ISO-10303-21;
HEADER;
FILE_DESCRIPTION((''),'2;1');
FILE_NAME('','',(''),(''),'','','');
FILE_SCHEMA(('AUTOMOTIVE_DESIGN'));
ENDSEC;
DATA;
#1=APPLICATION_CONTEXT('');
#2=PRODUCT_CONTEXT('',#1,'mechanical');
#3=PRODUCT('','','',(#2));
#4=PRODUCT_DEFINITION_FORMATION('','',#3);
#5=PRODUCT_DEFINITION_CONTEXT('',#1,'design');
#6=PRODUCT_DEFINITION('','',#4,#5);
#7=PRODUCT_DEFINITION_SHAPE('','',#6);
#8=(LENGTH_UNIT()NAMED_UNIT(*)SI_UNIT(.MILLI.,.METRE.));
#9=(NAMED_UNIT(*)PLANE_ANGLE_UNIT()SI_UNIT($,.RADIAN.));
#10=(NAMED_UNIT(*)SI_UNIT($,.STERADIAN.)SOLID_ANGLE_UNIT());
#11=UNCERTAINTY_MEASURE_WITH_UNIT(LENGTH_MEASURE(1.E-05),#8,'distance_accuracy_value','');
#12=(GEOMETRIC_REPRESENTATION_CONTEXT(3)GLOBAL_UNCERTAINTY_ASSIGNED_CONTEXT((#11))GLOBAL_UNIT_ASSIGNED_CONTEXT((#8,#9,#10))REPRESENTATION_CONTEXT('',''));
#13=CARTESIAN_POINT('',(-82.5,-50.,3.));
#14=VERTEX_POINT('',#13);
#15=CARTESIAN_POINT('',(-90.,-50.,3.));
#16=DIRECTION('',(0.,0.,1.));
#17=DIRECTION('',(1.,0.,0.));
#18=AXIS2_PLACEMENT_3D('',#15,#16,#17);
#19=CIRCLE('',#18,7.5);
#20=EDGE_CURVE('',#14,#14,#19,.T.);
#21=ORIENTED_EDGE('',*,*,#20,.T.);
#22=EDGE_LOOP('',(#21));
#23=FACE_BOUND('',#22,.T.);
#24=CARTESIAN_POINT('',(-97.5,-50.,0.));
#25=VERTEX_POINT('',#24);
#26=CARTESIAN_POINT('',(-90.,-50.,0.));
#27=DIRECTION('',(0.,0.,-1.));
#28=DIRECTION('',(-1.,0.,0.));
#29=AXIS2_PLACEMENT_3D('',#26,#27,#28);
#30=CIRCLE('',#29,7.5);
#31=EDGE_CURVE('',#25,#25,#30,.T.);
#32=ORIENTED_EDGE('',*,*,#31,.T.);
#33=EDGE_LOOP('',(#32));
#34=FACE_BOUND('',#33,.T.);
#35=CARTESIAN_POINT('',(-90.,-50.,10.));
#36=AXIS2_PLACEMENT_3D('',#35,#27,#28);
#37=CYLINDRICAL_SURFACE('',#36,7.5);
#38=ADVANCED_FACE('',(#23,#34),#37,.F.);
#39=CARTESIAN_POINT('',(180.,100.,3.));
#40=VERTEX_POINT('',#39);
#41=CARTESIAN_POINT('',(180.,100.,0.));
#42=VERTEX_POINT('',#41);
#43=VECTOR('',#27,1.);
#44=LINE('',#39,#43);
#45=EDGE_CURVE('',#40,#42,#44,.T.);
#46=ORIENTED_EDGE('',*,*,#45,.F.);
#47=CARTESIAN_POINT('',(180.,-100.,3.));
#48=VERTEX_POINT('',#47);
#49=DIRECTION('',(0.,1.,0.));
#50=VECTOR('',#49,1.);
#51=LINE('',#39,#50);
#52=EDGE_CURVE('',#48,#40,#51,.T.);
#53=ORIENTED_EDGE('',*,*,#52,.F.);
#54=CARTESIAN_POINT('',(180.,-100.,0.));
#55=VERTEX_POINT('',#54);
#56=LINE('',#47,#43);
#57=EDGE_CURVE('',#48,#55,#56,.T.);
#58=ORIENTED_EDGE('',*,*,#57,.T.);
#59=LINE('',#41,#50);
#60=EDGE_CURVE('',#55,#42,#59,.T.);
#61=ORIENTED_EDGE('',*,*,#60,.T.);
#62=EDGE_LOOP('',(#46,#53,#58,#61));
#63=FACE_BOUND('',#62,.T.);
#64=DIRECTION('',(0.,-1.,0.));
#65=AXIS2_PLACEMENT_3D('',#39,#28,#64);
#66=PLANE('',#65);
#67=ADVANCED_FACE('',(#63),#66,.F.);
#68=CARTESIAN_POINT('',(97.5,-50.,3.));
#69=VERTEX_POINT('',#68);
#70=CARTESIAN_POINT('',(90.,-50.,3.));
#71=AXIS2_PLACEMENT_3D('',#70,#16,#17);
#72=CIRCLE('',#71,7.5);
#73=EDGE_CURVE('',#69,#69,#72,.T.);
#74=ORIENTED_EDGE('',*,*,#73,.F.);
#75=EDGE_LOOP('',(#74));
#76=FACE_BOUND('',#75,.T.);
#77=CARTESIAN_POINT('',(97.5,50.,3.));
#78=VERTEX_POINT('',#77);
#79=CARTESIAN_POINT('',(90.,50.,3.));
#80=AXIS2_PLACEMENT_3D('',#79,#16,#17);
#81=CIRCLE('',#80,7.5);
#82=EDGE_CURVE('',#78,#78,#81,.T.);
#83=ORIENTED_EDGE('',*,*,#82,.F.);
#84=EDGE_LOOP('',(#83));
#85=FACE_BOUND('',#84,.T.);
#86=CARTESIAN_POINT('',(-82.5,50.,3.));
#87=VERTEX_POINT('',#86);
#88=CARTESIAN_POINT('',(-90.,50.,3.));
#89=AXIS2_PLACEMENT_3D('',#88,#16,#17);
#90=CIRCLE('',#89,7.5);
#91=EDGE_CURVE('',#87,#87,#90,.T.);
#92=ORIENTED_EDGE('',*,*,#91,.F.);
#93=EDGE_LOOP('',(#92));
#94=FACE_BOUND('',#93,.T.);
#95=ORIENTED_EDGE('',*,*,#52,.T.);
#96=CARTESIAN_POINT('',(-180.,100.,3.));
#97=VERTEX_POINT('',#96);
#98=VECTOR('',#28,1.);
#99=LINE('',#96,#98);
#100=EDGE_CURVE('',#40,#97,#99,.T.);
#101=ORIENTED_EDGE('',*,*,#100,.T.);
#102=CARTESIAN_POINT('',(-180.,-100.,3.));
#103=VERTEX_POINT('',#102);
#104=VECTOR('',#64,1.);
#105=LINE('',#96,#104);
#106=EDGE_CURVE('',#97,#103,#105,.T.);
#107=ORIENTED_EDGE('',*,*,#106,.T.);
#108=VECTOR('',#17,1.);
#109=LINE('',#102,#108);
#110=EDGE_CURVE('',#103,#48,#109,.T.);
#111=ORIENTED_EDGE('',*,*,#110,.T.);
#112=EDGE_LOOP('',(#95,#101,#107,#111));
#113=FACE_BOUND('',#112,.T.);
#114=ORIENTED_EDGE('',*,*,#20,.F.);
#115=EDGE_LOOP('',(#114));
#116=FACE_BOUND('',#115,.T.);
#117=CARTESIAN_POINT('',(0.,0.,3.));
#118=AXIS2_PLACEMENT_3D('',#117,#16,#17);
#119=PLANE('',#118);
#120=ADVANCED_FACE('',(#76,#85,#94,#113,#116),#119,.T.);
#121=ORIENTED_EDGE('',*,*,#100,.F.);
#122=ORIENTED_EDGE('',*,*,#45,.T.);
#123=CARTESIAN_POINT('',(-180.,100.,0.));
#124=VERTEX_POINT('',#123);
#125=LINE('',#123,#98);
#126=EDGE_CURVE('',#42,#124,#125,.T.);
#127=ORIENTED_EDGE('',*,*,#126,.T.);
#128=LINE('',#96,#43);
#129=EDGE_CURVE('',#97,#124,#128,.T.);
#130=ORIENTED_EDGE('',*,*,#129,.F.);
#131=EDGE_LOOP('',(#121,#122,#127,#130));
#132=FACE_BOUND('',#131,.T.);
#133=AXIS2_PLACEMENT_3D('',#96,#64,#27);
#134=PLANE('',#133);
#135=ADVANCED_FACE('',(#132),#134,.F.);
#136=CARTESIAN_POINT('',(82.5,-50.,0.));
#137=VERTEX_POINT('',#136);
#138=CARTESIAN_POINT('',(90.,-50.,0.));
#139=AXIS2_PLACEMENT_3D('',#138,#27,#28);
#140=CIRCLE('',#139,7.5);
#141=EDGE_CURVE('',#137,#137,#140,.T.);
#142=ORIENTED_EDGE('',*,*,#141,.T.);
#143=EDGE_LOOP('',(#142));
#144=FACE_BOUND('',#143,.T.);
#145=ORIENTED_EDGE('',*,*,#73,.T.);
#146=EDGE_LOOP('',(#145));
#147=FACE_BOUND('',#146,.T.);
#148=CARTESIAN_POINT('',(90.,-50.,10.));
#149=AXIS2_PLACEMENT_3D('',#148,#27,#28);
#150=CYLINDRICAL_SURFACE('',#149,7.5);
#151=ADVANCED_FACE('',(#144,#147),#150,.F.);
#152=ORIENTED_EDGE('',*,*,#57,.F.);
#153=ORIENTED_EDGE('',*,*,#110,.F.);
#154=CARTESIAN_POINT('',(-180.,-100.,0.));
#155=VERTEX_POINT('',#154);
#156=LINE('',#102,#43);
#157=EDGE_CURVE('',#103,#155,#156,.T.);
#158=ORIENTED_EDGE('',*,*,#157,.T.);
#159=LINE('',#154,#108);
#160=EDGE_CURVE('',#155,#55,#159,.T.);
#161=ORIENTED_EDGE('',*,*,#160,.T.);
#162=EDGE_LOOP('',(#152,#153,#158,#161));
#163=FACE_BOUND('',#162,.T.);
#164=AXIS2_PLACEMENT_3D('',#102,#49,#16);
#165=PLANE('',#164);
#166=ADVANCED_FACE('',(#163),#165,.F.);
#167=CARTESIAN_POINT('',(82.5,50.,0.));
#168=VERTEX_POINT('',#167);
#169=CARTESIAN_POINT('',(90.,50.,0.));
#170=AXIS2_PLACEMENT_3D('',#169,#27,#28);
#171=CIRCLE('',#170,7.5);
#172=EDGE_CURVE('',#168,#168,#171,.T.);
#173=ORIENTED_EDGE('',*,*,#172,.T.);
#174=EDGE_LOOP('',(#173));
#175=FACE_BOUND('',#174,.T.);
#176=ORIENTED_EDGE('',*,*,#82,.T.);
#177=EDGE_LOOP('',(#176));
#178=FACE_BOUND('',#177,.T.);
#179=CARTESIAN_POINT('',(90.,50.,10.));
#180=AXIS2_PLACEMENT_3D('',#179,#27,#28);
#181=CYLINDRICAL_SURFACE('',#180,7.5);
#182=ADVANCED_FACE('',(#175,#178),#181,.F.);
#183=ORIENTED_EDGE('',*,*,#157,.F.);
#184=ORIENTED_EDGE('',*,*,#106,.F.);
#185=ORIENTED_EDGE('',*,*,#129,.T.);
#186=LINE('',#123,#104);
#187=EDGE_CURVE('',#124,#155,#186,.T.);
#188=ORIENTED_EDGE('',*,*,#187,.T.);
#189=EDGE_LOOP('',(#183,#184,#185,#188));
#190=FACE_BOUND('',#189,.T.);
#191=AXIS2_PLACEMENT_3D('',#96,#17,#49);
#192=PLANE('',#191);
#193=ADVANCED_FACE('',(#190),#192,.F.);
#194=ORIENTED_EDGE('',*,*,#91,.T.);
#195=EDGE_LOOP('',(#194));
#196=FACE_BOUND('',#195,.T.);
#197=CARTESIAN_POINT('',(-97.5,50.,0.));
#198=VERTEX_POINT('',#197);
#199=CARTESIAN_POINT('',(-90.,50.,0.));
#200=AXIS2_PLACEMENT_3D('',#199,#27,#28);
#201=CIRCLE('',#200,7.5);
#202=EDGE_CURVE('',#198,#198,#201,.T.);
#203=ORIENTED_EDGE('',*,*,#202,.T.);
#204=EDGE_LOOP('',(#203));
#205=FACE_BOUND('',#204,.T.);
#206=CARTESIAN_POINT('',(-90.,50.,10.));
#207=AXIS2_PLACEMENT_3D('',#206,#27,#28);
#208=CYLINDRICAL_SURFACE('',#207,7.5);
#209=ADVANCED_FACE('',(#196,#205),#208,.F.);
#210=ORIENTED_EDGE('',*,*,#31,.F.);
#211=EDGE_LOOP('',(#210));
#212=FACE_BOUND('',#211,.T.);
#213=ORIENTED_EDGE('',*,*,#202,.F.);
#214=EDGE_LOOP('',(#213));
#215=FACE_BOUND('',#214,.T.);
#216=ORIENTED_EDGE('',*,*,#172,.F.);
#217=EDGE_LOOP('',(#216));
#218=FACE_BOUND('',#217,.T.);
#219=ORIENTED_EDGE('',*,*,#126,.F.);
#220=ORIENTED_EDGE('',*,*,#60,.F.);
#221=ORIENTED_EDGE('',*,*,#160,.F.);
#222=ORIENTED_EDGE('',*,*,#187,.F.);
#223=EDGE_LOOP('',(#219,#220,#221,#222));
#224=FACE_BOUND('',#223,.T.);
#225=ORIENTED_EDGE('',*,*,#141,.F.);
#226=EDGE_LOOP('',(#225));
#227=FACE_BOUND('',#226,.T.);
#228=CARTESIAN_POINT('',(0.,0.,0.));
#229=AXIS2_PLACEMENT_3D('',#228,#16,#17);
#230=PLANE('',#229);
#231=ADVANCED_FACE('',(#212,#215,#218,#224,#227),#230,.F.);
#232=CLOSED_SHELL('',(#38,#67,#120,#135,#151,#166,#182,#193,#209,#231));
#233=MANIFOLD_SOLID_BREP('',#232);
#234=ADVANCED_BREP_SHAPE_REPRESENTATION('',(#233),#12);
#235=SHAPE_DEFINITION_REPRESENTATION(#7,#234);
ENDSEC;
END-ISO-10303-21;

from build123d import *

# Parameters (mm, degrees)
CROQUIS1_W              = 360
CROQUIS1_H              = 200
SALIENTE_EXTRUIR1_DEPTH = 3
CROQUIS2_R              = 7.5
CORTAR_EXTRUIR1_DEPTH   = 10


with BuildPart() as part:
    # Croquis1 → Saliente-Extruir1 (new body)
    with BuildSketch(Plane.XY):
        Rectangle(CROQUIS1_W, CROQUIS1_H)
    extrude(amount=SALIENTE_EXTRUIR1_DEPTH)

    # Croquis2 → Cortar-Extruir1 (cut)
    with BuildSketch(Plane(origin=(0, 0, 0), x_dir=(-1, 0, 0), z_dir=(0, 0, -1))):
        with Locations((-90, 50)):
            Circle(CROQUIS2_R)
        with Locations((90, 50)):
            Circle(CROQUIS2_R)
        with Locations((90, -50)):
            Circle(CROQUIS2_R)
        with Locations((-90, -50)):
            Circle(CROQUIS2_R)
    extrude(amount=-CORTAR_EXTRUIR1_DEPTH, mode=Mode.SUBTRACT)


solid = part.part
